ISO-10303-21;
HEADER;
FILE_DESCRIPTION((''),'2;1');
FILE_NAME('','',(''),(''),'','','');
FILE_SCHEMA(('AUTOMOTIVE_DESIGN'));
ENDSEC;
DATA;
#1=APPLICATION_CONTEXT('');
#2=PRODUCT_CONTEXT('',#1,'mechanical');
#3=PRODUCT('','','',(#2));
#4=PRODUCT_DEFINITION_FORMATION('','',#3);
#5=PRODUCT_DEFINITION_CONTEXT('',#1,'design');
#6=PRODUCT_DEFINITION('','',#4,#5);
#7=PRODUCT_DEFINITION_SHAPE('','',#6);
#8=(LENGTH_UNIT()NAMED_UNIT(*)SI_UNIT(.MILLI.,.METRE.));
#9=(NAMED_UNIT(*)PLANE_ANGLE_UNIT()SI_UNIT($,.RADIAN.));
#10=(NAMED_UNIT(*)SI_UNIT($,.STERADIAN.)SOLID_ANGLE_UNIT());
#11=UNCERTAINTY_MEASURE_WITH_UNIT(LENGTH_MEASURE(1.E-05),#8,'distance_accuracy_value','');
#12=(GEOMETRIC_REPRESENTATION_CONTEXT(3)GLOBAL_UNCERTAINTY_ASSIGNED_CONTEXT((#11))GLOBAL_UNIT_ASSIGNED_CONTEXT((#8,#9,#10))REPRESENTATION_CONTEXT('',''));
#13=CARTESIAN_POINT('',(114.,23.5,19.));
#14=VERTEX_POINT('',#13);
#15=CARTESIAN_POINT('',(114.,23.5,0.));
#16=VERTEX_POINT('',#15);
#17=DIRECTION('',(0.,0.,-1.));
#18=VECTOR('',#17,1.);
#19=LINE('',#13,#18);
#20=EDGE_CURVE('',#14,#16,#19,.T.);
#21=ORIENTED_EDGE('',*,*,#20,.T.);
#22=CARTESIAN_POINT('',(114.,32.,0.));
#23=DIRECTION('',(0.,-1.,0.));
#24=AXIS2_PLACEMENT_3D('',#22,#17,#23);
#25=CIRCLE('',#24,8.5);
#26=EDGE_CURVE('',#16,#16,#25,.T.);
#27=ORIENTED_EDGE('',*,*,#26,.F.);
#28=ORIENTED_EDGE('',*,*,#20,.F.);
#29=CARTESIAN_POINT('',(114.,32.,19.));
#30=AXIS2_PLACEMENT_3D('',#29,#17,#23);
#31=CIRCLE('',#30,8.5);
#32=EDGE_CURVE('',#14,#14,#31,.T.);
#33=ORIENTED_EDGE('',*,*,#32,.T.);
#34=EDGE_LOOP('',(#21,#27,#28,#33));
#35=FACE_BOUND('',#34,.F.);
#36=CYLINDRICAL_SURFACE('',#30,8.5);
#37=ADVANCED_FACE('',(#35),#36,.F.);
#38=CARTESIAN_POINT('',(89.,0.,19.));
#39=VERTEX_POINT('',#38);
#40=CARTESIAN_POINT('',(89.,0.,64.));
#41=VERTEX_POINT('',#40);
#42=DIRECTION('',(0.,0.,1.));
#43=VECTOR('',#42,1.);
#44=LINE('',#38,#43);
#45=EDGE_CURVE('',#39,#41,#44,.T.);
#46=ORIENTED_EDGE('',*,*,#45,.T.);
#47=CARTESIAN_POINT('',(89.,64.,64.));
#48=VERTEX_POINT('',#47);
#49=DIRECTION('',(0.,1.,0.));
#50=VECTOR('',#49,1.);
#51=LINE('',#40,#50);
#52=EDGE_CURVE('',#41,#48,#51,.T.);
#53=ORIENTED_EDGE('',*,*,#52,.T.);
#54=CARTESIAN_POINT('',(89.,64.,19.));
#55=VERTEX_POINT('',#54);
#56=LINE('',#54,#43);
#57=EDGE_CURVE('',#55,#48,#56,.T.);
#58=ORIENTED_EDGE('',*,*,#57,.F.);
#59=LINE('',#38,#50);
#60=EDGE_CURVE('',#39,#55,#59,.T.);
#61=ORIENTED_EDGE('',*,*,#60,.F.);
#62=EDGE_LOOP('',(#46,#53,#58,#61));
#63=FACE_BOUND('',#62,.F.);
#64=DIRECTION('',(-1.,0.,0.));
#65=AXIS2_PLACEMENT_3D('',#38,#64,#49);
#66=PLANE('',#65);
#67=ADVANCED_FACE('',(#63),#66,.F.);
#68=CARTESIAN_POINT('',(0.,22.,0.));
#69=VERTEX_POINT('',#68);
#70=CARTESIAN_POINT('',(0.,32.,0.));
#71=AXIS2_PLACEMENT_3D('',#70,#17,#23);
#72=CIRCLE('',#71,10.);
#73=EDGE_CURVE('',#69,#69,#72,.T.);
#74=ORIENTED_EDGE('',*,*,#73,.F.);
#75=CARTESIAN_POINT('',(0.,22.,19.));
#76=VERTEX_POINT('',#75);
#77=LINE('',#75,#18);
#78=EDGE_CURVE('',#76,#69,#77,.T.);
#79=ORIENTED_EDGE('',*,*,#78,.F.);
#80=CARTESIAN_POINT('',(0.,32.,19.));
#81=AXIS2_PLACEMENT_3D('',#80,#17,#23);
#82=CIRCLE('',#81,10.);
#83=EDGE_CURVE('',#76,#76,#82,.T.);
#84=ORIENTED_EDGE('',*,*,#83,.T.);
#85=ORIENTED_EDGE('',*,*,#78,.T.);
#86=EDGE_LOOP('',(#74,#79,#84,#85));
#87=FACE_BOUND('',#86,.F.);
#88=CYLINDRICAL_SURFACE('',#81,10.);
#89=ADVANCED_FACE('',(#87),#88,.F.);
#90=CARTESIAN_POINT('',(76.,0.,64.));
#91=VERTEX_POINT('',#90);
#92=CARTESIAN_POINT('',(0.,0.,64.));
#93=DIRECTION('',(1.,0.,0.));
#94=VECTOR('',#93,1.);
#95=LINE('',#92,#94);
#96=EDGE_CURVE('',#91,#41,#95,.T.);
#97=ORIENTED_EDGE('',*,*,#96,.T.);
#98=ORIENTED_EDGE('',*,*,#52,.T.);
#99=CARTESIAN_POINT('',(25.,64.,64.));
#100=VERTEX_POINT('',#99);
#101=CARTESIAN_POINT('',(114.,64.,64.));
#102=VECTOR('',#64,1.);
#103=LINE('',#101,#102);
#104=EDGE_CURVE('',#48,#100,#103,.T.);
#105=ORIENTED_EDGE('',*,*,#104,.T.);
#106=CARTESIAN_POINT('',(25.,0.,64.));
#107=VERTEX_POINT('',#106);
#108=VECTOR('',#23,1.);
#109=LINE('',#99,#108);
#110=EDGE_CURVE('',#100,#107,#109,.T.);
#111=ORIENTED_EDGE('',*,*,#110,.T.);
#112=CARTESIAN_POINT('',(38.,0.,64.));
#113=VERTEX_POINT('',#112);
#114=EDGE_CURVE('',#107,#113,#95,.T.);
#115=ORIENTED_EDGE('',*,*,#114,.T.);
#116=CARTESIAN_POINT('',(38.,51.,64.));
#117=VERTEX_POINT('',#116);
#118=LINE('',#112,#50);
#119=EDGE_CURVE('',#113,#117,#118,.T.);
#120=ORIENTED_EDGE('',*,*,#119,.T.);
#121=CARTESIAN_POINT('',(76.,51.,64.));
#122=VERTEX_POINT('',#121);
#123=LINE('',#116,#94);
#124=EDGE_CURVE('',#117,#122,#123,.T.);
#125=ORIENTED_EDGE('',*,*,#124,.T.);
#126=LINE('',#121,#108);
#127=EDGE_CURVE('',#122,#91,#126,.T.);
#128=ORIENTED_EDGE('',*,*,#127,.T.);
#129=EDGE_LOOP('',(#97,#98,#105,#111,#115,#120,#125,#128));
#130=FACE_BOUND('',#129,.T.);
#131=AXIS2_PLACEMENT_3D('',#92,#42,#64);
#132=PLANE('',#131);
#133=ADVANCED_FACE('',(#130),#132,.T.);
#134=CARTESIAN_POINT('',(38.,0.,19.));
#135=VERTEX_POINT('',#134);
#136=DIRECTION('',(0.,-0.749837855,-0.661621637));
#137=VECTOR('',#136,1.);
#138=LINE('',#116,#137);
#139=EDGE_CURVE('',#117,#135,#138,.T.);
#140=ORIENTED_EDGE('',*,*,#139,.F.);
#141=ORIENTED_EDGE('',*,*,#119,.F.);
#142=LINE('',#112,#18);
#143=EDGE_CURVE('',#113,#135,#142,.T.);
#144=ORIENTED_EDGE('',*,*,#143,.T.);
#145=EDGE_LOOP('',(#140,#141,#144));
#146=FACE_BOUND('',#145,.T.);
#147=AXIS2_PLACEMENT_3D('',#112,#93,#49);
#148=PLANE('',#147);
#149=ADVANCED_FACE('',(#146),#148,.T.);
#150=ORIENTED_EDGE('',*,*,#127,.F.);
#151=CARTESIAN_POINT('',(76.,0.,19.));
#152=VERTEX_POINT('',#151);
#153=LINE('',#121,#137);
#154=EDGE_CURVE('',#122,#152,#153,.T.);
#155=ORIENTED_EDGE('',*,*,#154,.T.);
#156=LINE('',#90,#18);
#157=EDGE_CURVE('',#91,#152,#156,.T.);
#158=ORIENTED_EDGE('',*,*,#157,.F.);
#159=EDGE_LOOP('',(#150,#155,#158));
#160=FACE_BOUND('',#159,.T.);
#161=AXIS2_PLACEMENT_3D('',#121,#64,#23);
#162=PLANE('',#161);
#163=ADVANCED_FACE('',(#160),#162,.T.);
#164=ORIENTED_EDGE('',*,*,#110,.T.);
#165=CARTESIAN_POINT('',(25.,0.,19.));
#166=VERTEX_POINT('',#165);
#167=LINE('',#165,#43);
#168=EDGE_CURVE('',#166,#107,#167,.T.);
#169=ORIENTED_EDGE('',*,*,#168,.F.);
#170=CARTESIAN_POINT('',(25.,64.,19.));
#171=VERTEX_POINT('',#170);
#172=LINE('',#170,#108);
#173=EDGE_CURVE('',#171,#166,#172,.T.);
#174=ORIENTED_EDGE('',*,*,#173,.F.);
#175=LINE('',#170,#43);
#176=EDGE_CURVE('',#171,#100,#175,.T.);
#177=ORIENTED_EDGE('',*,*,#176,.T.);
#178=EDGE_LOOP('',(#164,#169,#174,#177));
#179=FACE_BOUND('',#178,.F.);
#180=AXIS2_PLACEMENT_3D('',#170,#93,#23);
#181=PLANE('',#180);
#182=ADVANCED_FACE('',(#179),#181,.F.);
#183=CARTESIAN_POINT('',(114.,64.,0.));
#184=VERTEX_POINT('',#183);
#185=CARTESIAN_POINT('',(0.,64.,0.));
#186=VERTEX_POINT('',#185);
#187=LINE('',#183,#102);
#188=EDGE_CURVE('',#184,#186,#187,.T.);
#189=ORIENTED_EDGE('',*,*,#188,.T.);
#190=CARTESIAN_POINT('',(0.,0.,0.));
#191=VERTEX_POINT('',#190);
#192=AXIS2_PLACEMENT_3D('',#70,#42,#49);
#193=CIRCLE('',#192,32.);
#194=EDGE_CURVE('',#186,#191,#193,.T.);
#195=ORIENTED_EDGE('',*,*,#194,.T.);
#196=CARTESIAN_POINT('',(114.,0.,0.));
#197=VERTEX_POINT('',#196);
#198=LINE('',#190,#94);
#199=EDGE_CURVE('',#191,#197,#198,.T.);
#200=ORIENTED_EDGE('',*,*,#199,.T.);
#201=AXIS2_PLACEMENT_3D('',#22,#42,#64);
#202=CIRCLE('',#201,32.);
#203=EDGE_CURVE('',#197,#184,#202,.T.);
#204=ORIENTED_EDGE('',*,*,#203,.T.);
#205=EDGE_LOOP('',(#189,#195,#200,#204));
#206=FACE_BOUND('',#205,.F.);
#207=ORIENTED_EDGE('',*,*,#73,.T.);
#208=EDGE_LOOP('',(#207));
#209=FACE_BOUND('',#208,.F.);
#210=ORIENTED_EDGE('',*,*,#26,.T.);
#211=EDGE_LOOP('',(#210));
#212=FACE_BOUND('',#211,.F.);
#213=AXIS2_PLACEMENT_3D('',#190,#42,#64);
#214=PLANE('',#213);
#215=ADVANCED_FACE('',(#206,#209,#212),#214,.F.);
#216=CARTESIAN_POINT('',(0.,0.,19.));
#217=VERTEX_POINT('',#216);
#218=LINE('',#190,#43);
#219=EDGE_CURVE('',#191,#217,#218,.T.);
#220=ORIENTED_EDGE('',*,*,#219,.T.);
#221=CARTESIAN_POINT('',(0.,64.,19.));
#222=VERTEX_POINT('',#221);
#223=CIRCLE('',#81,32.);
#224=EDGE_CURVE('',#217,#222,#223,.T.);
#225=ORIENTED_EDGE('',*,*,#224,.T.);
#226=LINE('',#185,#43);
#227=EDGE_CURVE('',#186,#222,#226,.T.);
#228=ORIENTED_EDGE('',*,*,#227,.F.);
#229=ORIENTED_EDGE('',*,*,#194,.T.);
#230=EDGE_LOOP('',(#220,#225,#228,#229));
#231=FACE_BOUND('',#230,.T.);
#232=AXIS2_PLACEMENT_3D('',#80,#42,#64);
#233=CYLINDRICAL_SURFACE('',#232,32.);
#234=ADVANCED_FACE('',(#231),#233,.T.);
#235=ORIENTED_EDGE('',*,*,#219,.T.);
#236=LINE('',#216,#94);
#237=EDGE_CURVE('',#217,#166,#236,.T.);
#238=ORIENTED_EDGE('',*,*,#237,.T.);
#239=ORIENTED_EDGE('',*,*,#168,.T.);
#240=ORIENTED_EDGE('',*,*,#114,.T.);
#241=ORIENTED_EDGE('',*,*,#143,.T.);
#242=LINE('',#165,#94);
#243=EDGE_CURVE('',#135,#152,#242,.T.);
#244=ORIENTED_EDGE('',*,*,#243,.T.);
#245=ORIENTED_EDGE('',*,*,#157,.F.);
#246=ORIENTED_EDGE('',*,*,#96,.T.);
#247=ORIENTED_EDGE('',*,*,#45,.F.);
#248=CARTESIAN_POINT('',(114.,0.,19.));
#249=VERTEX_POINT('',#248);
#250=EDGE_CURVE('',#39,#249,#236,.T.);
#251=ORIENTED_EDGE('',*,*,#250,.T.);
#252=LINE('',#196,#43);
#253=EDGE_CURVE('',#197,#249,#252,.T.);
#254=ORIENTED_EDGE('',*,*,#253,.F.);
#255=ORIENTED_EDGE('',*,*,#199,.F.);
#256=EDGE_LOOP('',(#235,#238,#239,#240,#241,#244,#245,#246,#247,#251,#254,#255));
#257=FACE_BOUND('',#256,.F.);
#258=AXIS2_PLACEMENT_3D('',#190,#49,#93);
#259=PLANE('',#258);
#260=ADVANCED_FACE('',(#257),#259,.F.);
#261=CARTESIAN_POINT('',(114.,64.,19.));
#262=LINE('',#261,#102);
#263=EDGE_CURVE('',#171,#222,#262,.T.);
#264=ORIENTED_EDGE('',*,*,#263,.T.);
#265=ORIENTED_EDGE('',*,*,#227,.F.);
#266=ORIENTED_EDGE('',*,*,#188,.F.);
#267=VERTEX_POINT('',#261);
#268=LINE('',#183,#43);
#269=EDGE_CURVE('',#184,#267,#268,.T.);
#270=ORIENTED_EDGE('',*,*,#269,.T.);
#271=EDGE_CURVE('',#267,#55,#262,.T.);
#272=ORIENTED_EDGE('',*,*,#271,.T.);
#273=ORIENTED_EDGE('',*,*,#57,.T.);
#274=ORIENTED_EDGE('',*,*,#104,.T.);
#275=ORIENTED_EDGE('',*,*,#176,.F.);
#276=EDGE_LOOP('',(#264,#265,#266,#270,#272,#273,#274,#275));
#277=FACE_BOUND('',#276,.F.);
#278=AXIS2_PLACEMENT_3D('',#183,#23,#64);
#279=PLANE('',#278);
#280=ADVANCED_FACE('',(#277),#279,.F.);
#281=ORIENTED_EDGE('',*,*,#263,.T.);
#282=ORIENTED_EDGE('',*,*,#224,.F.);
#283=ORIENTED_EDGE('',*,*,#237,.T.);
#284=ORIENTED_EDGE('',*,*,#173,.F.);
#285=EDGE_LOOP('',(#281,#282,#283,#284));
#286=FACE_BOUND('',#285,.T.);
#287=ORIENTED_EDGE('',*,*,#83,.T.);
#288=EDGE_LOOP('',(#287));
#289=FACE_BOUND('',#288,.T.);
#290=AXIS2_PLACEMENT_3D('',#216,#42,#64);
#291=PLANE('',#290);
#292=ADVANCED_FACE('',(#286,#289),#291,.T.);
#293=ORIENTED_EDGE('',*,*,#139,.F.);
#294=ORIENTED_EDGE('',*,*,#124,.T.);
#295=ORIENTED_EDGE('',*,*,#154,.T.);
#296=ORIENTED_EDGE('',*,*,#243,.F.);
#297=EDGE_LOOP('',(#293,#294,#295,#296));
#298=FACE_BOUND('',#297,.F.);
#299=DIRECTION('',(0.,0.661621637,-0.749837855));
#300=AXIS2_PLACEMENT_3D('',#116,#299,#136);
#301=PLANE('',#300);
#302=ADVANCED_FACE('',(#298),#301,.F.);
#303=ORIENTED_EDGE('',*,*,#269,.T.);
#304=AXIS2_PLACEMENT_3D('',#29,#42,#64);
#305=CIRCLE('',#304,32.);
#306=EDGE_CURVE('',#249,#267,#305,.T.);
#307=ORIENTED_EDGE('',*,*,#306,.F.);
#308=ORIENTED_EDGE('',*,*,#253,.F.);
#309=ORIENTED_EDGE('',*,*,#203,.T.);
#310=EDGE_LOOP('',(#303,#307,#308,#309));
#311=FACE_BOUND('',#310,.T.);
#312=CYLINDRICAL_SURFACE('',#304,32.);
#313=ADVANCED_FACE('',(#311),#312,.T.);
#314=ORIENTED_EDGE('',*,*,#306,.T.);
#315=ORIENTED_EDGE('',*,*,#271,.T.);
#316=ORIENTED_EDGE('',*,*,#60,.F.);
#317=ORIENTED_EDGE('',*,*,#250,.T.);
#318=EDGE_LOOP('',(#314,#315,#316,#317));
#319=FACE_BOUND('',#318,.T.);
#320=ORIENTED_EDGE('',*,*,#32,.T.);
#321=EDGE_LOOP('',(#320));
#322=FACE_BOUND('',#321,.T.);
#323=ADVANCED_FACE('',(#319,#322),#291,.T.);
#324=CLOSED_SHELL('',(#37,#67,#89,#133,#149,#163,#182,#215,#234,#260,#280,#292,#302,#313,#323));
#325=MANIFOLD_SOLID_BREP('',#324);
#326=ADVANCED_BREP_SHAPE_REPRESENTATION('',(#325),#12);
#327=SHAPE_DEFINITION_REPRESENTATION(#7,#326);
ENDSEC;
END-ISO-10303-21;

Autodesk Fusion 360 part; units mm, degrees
sketch "Sketch1" plane through (0, 0, 0) normal (0, 0, 1) x (1, 0, 0)
  line L0 (0, 0) -> (114, 0)
  line L1 (114, 0) -> (114, 64)
  line L2 (114, 64) -> (0, 64)
  line L3 (0, 64) -> (0, 0)
  dimension "d1" = 114
  dimension "d2" = 64
extrude "Extrude1" add sketch "Sketch1" along normal blind 19
sketch "Sketch2" plane through (0, 0, 19) normal (0, 0, 1) x (-1, 0, 0)
  line L0 (0, -64) -> (0, 0)
  line L1 (0, 0) -> (-114, 0)
  line L2 (-114, 0) -> (-114, -64)
  line L3 (-114, -64) -> (0, -64)
  line L4 (0, 0) -> (-25, 0)
  line L5 (-25, 0) -> (-89, 0)
  line L6 (-89, 0) -> (-89, -64)
  line L7 (-89, -64) -> (-25, -64)
  line L8 (-25, -64) -> (-25, 0)
  dimension "d5" = 25
  dimension "d6" = 64
extrude "Extrude2" add sketch "Sketch2" along normal blind 45 contours L1 L3 L5 L6 L7 L8
sketch "Sketch4" plane through (0, 0, 64) normal (0, 0, 1) x (-1, 0, 0)
  line L0 (-25, -64) -> (-25, 0)
  line L1 (-25, 0) -> (-89, 0)
  line L2 (-89, 0) -> (-89, -64)
  line L3 (-89, -64) -> (-25, -64)
  line L4 (-25, 0) -> (-38, 0)
  line L5 (-38, 0) -> (-38, -51)
  line L6 (-38, -51) -> (-76, -51)
  line L7 (-76, -51) -> (-76, 0)
  line L8 (-38, 0) -> (-76, 0)
  dimension "d12" = 13
  dimension "d13" = 51
  dimension "d14" = 38
extrude "Extrude3" cut sketch "Sketch4" against normal blind 45 contours L1 L5 L6 L7 L8
sketch "Sketch5" plane through (38, 0, 0) normal (1, 0, 0) x (0, 1, 0)
  line L0 (51, 64) -> (0, 64)
  line L1 (0, 64) -> (0, 19)
  line L2 (0, 19) -> (51, 19)
  line L3 (51, 19) -> (51, 64)
  line L4 (51, 64) -> (0, 19)
  line L5 (51, 19) -> (0, 19)
  line L6 (51, 19) -> (51, 64)
extrude "Extrude4" add sketch "Sketch5" along normal blind 38 contours L2 L3 L4 L5 L6
sketch "Sketch6" plane through (0, 0, 19) normal (0, 0, 1) x (-1, 0, 0)
  line L0 (-89, -64) -> (-89, 0)
  line L1 (-89, 0) -> (-114, 0)
  line L2 (-114, 0) -> (-114, -64)
  line L3 (-114, -64) -> (-89, -64)
  circle A0 centre (-114, -32) radius 32
  line L4 (-114, -64) -> (-114, 0)
  dimension "d31" = 64
extrude "Extrude5" add sketch "Sketch6" against normal blind 19 contours L2 A0 L4
hole "Hole1" at (114, 32, 19) direction (0, 0, -1) diameter 17 depth 22 tip angle 118
sketch "Sketch7" plane through (0, 0, 19) normal (0, 0, 1) x (-1, 0, 0)
  line L0 (-25, 0) -> (-25, -64)
  line L1 (-25, -64) -> (0, -64)
  line L2 (0, -64) -> (0, 0)
  line L3 (0, 0) -> (-25, 0)
  circle A0 centre (0, -32) radius 32
  line L4 (0, -64) -> (0, 0)
  dimension "d25" = 64
extrude "Extrude6" add sketch "Sketch7" against normal blind 19 contours L2 A0 L4
hole "Hole2" at (0, 32, 19) direction (0, 0, -1) diameter 20 depth 22 tip angle 118
